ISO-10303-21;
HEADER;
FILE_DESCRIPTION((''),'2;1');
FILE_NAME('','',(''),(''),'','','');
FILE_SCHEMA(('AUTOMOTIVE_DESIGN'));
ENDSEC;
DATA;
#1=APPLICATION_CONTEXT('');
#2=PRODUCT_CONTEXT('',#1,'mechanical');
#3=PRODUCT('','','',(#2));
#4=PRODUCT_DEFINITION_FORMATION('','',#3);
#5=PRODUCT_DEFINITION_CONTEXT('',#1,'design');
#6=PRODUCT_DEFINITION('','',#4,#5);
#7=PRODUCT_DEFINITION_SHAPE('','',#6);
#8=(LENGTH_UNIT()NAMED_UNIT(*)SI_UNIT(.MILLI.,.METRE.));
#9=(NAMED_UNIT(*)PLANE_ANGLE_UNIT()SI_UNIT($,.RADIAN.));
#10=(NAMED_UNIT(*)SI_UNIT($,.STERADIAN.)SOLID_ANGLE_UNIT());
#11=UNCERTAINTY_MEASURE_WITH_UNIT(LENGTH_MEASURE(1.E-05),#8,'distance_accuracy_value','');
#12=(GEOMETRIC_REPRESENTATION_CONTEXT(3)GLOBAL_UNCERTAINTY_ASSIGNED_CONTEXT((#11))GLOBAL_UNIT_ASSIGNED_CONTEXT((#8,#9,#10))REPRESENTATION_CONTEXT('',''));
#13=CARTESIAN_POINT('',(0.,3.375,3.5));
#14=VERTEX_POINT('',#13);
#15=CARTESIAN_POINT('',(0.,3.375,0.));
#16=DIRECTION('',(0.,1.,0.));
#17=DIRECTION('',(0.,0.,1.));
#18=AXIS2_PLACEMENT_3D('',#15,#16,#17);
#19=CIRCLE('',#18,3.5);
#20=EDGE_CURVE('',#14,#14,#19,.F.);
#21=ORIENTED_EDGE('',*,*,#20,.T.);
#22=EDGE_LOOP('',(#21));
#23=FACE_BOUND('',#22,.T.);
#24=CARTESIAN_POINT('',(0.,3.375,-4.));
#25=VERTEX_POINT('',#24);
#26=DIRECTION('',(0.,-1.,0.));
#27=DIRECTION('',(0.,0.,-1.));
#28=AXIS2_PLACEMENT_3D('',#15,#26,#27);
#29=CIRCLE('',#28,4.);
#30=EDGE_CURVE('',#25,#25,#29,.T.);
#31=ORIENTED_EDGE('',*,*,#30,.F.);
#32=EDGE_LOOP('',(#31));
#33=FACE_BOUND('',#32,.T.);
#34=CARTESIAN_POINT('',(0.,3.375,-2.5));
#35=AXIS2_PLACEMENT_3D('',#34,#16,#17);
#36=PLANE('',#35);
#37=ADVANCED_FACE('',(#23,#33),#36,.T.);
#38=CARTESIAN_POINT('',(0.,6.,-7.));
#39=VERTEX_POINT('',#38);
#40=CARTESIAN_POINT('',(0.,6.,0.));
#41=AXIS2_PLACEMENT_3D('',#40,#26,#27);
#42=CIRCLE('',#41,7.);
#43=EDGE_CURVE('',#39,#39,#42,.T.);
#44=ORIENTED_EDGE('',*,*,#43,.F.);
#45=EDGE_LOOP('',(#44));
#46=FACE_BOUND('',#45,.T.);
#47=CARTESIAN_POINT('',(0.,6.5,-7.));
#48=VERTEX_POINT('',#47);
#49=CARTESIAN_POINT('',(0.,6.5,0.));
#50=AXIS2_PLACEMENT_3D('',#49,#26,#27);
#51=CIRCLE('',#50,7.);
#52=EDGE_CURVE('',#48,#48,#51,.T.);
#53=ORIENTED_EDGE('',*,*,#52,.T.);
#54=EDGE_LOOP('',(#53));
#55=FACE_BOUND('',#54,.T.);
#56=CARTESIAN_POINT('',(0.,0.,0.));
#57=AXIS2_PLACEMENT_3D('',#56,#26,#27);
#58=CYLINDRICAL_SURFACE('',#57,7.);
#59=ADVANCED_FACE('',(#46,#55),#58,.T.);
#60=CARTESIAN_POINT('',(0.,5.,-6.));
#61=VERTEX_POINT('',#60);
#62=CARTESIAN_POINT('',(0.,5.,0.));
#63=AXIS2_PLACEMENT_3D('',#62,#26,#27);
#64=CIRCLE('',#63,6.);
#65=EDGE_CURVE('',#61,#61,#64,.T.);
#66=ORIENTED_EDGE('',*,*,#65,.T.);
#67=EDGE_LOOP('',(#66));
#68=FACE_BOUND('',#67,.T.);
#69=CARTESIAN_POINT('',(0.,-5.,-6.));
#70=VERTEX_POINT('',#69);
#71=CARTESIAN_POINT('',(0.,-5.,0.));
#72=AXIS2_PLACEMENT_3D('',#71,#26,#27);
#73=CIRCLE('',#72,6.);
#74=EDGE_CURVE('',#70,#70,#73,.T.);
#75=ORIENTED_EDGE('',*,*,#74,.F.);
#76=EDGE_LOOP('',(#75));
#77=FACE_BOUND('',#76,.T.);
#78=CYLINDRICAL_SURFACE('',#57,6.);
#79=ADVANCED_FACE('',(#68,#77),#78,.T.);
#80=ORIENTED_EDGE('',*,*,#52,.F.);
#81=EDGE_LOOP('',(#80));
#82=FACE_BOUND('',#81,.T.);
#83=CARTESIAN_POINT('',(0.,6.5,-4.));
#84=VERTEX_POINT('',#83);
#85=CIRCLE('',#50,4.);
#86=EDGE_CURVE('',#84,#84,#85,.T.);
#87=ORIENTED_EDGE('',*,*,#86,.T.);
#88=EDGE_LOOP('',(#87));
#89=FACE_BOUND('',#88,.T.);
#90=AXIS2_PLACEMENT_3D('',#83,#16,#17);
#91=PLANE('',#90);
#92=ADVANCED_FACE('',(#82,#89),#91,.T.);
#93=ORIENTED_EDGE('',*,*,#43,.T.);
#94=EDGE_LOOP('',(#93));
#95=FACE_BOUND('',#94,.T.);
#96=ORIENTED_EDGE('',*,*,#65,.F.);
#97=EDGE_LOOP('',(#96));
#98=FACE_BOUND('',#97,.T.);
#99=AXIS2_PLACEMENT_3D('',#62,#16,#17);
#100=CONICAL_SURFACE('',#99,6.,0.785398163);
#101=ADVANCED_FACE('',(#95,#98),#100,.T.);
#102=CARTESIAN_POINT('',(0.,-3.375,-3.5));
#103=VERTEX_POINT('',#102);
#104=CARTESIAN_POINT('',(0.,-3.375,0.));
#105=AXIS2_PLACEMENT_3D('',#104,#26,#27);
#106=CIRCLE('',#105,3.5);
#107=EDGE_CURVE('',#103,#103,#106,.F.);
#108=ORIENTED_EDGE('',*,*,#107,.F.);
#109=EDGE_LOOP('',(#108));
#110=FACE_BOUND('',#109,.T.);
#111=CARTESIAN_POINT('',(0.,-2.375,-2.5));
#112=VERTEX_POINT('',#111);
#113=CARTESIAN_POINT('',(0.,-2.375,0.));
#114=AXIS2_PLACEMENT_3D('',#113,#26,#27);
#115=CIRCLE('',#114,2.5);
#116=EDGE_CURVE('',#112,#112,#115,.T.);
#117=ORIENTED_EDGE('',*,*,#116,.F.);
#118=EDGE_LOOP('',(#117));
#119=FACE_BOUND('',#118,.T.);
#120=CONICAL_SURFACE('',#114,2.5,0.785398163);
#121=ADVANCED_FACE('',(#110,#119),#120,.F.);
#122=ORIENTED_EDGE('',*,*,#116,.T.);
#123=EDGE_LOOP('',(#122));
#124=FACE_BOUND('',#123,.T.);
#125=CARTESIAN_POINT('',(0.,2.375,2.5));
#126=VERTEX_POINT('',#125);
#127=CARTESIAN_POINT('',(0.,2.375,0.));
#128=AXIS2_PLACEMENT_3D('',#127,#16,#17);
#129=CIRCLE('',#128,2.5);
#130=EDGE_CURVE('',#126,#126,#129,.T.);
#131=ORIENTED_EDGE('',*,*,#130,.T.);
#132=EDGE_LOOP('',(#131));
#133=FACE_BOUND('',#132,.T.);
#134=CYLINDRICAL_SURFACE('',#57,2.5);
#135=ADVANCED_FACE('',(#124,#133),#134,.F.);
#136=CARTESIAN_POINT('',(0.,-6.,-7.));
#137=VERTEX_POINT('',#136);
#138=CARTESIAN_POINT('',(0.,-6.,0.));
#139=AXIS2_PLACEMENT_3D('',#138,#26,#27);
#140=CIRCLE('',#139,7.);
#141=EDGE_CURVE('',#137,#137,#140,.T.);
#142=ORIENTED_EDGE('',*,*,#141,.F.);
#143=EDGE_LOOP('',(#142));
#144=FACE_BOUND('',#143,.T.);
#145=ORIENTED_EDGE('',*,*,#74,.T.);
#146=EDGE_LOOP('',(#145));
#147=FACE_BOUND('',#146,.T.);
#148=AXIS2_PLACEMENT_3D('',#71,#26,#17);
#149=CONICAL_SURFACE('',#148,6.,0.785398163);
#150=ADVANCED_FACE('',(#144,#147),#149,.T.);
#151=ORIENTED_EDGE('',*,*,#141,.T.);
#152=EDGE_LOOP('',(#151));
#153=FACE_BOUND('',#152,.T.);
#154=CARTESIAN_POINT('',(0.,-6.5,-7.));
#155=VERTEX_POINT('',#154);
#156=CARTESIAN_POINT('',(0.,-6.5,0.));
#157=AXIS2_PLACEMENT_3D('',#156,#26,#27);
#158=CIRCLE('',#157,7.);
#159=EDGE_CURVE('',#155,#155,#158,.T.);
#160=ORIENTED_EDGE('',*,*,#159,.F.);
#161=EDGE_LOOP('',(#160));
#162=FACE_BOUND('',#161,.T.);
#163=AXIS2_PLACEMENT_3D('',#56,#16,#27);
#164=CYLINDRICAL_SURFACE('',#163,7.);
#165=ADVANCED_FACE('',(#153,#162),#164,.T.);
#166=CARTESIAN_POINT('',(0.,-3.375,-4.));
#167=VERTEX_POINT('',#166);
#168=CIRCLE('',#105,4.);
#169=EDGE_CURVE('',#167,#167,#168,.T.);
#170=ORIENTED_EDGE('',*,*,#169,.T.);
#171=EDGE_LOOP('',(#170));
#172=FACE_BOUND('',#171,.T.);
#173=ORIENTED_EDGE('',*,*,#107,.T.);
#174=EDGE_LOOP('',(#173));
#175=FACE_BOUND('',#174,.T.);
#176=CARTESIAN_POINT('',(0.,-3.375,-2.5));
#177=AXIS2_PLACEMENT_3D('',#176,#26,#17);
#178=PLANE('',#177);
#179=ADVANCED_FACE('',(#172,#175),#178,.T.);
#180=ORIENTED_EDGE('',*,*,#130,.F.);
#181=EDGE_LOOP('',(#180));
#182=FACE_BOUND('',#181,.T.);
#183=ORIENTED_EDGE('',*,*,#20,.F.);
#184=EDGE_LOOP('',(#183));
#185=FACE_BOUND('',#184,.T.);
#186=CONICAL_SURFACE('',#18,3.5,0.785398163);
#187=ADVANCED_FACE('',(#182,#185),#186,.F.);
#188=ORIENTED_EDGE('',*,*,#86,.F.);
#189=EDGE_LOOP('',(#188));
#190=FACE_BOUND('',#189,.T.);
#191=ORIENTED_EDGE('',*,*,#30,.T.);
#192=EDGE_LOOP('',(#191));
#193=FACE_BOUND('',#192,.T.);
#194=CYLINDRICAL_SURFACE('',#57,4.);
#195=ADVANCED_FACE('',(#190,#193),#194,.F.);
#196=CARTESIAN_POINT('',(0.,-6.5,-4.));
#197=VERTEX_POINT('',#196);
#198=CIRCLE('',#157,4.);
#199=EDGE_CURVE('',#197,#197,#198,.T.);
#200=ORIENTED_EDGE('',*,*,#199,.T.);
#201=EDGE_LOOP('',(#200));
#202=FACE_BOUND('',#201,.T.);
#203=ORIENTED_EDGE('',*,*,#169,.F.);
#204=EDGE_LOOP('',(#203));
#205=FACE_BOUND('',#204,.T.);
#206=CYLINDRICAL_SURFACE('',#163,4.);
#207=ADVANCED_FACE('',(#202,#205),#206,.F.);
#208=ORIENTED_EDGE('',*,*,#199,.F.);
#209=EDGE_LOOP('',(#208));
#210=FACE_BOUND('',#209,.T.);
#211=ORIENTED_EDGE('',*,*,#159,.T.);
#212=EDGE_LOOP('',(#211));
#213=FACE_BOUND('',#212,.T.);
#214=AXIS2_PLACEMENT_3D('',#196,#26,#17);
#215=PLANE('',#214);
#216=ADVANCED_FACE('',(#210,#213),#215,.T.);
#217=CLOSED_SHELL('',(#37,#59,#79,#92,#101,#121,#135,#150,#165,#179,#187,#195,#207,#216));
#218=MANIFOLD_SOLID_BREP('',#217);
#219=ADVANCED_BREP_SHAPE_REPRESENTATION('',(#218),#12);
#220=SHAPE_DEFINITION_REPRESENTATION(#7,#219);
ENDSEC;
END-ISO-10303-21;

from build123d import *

# Parameters (mm, degrees)
CHAMFER1_SIZE = 1


with BuildPart() as part:
    # Sketch2 → Revolve1 (revolve)
    with BuildSketch(Plane(origin=(0, 0, 0), x_dir=(0, 0, -1), z_dir=(1, 0, 0))):
        Polygon((2.5, 0), (2.5, 3.375), (4, 3.375), (4, 6.5), (7, 6.5), (7, 6), (6, 5), (6, 0), align=None)
    revolve1 = revolve(axis=Axis((0, 0, 0), (0, 1, 0)))

    # Mirror1: Revolve1 across plane
    add(revolve1.mirror(Plane.ZX))

    # Chamfer1
    chamfer1_edges = [part.edges().sort_by_distance(p)[0] for p in [
        (0, -3.375, 2.5),
        (0, 3.375, 2.5),
    ]]
    chamfer(chamfer1_edges, length=CHAMFER1_SIZE)


solid = part.part
